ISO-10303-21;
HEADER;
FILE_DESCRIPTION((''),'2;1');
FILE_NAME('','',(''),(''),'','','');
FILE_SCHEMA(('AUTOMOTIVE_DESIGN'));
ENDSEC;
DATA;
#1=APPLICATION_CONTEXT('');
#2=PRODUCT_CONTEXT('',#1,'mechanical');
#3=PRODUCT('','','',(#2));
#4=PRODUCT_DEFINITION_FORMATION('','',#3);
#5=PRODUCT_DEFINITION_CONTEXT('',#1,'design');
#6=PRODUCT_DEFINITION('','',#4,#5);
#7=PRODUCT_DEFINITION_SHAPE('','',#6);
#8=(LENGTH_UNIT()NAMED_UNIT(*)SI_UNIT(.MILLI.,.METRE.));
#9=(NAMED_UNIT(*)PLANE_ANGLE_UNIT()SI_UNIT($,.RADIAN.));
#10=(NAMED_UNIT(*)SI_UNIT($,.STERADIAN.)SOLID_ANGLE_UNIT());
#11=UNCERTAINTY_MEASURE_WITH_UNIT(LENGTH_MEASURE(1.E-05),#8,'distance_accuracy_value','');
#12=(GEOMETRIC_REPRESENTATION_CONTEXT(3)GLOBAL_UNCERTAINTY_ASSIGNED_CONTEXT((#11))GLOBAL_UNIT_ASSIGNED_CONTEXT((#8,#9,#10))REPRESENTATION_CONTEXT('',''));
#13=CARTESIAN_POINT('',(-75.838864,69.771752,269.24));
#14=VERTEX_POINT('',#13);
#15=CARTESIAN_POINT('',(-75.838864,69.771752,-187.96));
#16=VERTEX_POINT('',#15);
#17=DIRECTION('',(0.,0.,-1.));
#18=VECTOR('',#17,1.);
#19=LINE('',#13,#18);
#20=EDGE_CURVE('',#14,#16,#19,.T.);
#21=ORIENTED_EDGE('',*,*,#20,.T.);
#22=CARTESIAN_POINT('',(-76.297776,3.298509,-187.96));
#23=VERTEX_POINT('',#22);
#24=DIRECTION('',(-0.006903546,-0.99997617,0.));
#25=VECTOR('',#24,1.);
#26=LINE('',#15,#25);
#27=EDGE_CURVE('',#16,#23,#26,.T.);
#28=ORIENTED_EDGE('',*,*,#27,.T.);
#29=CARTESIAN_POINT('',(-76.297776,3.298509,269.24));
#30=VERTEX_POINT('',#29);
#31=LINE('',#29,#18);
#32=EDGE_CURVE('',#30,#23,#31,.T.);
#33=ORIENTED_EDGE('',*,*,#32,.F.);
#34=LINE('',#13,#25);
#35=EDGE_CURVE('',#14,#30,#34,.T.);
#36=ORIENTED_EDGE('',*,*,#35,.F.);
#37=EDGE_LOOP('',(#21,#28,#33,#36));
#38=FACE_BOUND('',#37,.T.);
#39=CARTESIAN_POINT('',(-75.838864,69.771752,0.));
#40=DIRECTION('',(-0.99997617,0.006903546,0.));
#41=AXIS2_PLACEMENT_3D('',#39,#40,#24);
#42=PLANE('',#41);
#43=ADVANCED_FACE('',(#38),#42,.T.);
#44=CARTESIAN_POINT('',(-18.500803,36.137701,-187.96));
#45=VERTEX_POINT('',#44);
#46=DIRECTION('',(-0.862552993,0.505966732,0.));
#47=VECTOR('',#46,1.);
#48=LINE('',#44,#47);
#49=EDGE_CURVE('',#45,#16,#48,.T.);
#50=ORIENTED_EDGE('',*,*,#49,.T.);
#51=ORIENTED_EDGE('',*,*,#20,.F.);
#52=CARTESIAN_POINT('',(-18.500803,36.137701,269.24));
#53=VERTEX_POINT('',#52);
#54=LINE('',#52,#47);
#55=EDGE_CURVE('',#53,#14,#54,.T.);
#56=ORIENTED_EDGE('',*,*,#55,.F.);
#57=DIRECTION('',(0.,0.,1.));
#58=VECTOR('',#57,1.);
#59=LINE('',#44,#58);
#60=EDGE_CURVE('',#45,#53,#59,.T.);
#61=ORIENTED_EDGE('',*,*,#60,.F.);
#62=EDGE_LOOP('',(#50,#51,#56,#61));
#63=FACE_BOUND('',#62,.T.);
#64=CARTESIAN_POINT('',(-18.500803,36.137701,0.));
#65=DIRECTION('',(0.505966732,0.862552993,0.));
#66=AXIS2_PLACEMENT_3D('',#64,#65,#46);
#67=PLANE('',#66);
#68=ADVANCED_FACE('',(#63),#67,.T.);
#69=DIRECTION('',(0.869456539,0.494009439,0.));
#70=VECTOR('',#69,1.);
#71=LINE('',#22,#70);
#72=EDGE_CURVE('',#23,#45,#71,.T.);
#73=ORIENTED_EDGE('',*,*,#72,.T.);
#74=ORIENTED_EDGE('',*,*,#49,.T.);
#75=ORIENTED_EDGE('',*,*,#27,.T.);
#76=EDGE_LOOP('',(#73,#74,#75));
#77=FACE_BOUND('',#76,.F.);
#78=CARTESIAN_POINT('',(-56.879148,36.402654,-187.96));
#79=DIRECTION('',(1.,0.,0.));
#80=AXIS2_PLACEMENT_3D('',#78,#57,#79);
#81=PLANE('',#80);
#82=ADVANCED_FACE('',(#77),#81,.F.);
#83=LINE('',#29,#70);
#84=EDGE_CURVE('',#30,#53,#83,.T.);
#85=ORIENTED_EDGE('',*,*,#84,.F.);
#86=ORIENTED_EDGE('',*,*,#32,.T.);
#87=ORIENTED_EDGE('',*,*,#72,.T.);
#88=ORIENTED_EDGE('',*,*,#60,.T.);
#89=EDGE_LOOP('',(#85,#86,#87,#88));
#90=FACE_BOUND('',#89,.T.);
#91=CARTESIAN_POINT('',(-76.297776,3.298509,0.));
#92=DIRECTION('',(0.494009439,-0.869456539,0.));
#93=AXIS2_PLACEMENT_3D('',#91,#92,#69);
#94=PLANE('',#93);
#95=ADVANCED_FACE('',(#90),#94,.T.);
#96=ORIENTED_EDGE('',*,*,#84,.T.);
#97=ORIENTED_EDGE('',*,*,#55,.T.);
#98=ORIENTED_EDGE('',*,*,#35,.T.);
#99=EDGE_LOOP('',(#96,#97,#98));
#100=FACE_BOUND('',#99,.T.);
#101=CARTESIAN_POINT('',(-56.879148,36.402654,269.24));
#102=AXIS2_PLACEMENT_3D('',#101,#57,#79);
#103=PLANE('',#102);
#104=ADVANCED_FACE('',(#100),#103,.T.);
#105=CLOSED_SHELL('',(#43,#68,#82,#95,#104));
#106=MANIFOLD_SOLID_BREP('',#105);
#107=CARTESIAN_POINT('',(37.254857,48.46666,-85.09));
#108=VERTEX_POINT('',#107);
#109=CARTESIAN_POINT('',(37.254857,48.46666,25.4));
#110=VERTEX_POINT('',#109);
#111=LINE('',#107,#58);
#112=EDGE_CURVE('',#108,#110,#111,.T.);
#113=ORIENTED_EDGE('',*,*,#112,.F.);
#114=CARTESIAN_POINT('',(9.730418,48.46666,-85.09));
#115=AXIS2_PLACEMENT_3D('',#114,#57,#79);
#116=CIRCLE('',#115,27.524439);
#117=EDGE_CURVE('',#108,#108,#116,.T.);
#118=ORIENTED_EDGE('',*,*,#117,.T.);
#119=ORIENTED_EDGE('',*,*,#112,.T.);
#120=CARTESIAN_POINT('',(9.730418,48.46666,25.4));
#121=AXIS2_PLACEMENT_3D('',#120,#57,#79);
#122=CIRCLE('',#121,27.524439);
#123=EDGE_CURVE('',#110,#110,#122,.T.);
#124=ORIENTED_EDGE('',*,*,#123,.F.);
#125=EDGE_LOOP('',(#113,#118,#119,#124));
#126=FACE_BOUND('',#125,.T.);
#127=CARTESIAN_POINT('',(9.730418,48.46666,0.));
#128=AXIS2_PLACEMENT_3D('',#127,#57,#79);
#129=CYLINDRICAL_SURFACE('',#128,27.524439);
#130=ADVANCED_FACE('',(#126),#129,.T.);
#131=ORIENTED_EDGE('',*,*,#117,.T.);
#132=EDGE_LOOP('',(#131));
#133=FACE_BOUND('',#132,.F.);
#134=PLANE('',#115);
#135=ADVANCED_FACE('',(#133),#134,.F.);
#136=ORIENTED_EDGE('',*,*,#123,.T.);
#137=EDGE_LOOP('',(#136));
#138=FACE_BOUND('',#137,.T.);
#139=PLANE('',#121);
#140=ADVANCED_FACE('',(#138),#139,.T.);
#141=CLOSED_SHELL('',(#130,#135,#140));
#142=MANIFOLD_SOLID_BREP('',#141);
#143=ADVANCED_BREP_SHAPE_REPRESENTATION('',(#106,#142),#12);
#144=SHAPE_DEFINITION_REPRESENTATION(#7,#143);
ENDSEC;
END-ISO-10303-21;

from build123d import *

# Parameters (mm, degrees)
F1_DEPTH      = 269.24
F1_DEPTH_BACK = 187.96
F2_R          = 27.524439
F3_DEPTH      = 25.4
F3_DEPTH_BACK = 85.09


with BuildPart() as f1:
    # F0 (on Top) → F1 (new body, two sides)
    with BuildSketch(Plane.XY) as f1_sk:
        Polygon((-76.297776, 3.298509), (-18.500803, 36.137701), (-75.838864, 69.771752), align=None)
    extrude(amount=F1_DEPTH)
    extrude(f1_sk.sketch, amount=-F1_DEPTH_BACK)


with BuildPart() as f3:
    # F2 (on Top) → F3 (new body, two sides)
    with BuildSketch(Plane.XY) as f3_sk:
        with Locations((9.730418, 48.46666)):
            Circle(F2_R)
    extrude(amount=F3_DEPTH)
    extrude(f3_sk.sketch, amount=-F3_DEPTH_BACK)


solid = Compound([f1.part, f3.part])
